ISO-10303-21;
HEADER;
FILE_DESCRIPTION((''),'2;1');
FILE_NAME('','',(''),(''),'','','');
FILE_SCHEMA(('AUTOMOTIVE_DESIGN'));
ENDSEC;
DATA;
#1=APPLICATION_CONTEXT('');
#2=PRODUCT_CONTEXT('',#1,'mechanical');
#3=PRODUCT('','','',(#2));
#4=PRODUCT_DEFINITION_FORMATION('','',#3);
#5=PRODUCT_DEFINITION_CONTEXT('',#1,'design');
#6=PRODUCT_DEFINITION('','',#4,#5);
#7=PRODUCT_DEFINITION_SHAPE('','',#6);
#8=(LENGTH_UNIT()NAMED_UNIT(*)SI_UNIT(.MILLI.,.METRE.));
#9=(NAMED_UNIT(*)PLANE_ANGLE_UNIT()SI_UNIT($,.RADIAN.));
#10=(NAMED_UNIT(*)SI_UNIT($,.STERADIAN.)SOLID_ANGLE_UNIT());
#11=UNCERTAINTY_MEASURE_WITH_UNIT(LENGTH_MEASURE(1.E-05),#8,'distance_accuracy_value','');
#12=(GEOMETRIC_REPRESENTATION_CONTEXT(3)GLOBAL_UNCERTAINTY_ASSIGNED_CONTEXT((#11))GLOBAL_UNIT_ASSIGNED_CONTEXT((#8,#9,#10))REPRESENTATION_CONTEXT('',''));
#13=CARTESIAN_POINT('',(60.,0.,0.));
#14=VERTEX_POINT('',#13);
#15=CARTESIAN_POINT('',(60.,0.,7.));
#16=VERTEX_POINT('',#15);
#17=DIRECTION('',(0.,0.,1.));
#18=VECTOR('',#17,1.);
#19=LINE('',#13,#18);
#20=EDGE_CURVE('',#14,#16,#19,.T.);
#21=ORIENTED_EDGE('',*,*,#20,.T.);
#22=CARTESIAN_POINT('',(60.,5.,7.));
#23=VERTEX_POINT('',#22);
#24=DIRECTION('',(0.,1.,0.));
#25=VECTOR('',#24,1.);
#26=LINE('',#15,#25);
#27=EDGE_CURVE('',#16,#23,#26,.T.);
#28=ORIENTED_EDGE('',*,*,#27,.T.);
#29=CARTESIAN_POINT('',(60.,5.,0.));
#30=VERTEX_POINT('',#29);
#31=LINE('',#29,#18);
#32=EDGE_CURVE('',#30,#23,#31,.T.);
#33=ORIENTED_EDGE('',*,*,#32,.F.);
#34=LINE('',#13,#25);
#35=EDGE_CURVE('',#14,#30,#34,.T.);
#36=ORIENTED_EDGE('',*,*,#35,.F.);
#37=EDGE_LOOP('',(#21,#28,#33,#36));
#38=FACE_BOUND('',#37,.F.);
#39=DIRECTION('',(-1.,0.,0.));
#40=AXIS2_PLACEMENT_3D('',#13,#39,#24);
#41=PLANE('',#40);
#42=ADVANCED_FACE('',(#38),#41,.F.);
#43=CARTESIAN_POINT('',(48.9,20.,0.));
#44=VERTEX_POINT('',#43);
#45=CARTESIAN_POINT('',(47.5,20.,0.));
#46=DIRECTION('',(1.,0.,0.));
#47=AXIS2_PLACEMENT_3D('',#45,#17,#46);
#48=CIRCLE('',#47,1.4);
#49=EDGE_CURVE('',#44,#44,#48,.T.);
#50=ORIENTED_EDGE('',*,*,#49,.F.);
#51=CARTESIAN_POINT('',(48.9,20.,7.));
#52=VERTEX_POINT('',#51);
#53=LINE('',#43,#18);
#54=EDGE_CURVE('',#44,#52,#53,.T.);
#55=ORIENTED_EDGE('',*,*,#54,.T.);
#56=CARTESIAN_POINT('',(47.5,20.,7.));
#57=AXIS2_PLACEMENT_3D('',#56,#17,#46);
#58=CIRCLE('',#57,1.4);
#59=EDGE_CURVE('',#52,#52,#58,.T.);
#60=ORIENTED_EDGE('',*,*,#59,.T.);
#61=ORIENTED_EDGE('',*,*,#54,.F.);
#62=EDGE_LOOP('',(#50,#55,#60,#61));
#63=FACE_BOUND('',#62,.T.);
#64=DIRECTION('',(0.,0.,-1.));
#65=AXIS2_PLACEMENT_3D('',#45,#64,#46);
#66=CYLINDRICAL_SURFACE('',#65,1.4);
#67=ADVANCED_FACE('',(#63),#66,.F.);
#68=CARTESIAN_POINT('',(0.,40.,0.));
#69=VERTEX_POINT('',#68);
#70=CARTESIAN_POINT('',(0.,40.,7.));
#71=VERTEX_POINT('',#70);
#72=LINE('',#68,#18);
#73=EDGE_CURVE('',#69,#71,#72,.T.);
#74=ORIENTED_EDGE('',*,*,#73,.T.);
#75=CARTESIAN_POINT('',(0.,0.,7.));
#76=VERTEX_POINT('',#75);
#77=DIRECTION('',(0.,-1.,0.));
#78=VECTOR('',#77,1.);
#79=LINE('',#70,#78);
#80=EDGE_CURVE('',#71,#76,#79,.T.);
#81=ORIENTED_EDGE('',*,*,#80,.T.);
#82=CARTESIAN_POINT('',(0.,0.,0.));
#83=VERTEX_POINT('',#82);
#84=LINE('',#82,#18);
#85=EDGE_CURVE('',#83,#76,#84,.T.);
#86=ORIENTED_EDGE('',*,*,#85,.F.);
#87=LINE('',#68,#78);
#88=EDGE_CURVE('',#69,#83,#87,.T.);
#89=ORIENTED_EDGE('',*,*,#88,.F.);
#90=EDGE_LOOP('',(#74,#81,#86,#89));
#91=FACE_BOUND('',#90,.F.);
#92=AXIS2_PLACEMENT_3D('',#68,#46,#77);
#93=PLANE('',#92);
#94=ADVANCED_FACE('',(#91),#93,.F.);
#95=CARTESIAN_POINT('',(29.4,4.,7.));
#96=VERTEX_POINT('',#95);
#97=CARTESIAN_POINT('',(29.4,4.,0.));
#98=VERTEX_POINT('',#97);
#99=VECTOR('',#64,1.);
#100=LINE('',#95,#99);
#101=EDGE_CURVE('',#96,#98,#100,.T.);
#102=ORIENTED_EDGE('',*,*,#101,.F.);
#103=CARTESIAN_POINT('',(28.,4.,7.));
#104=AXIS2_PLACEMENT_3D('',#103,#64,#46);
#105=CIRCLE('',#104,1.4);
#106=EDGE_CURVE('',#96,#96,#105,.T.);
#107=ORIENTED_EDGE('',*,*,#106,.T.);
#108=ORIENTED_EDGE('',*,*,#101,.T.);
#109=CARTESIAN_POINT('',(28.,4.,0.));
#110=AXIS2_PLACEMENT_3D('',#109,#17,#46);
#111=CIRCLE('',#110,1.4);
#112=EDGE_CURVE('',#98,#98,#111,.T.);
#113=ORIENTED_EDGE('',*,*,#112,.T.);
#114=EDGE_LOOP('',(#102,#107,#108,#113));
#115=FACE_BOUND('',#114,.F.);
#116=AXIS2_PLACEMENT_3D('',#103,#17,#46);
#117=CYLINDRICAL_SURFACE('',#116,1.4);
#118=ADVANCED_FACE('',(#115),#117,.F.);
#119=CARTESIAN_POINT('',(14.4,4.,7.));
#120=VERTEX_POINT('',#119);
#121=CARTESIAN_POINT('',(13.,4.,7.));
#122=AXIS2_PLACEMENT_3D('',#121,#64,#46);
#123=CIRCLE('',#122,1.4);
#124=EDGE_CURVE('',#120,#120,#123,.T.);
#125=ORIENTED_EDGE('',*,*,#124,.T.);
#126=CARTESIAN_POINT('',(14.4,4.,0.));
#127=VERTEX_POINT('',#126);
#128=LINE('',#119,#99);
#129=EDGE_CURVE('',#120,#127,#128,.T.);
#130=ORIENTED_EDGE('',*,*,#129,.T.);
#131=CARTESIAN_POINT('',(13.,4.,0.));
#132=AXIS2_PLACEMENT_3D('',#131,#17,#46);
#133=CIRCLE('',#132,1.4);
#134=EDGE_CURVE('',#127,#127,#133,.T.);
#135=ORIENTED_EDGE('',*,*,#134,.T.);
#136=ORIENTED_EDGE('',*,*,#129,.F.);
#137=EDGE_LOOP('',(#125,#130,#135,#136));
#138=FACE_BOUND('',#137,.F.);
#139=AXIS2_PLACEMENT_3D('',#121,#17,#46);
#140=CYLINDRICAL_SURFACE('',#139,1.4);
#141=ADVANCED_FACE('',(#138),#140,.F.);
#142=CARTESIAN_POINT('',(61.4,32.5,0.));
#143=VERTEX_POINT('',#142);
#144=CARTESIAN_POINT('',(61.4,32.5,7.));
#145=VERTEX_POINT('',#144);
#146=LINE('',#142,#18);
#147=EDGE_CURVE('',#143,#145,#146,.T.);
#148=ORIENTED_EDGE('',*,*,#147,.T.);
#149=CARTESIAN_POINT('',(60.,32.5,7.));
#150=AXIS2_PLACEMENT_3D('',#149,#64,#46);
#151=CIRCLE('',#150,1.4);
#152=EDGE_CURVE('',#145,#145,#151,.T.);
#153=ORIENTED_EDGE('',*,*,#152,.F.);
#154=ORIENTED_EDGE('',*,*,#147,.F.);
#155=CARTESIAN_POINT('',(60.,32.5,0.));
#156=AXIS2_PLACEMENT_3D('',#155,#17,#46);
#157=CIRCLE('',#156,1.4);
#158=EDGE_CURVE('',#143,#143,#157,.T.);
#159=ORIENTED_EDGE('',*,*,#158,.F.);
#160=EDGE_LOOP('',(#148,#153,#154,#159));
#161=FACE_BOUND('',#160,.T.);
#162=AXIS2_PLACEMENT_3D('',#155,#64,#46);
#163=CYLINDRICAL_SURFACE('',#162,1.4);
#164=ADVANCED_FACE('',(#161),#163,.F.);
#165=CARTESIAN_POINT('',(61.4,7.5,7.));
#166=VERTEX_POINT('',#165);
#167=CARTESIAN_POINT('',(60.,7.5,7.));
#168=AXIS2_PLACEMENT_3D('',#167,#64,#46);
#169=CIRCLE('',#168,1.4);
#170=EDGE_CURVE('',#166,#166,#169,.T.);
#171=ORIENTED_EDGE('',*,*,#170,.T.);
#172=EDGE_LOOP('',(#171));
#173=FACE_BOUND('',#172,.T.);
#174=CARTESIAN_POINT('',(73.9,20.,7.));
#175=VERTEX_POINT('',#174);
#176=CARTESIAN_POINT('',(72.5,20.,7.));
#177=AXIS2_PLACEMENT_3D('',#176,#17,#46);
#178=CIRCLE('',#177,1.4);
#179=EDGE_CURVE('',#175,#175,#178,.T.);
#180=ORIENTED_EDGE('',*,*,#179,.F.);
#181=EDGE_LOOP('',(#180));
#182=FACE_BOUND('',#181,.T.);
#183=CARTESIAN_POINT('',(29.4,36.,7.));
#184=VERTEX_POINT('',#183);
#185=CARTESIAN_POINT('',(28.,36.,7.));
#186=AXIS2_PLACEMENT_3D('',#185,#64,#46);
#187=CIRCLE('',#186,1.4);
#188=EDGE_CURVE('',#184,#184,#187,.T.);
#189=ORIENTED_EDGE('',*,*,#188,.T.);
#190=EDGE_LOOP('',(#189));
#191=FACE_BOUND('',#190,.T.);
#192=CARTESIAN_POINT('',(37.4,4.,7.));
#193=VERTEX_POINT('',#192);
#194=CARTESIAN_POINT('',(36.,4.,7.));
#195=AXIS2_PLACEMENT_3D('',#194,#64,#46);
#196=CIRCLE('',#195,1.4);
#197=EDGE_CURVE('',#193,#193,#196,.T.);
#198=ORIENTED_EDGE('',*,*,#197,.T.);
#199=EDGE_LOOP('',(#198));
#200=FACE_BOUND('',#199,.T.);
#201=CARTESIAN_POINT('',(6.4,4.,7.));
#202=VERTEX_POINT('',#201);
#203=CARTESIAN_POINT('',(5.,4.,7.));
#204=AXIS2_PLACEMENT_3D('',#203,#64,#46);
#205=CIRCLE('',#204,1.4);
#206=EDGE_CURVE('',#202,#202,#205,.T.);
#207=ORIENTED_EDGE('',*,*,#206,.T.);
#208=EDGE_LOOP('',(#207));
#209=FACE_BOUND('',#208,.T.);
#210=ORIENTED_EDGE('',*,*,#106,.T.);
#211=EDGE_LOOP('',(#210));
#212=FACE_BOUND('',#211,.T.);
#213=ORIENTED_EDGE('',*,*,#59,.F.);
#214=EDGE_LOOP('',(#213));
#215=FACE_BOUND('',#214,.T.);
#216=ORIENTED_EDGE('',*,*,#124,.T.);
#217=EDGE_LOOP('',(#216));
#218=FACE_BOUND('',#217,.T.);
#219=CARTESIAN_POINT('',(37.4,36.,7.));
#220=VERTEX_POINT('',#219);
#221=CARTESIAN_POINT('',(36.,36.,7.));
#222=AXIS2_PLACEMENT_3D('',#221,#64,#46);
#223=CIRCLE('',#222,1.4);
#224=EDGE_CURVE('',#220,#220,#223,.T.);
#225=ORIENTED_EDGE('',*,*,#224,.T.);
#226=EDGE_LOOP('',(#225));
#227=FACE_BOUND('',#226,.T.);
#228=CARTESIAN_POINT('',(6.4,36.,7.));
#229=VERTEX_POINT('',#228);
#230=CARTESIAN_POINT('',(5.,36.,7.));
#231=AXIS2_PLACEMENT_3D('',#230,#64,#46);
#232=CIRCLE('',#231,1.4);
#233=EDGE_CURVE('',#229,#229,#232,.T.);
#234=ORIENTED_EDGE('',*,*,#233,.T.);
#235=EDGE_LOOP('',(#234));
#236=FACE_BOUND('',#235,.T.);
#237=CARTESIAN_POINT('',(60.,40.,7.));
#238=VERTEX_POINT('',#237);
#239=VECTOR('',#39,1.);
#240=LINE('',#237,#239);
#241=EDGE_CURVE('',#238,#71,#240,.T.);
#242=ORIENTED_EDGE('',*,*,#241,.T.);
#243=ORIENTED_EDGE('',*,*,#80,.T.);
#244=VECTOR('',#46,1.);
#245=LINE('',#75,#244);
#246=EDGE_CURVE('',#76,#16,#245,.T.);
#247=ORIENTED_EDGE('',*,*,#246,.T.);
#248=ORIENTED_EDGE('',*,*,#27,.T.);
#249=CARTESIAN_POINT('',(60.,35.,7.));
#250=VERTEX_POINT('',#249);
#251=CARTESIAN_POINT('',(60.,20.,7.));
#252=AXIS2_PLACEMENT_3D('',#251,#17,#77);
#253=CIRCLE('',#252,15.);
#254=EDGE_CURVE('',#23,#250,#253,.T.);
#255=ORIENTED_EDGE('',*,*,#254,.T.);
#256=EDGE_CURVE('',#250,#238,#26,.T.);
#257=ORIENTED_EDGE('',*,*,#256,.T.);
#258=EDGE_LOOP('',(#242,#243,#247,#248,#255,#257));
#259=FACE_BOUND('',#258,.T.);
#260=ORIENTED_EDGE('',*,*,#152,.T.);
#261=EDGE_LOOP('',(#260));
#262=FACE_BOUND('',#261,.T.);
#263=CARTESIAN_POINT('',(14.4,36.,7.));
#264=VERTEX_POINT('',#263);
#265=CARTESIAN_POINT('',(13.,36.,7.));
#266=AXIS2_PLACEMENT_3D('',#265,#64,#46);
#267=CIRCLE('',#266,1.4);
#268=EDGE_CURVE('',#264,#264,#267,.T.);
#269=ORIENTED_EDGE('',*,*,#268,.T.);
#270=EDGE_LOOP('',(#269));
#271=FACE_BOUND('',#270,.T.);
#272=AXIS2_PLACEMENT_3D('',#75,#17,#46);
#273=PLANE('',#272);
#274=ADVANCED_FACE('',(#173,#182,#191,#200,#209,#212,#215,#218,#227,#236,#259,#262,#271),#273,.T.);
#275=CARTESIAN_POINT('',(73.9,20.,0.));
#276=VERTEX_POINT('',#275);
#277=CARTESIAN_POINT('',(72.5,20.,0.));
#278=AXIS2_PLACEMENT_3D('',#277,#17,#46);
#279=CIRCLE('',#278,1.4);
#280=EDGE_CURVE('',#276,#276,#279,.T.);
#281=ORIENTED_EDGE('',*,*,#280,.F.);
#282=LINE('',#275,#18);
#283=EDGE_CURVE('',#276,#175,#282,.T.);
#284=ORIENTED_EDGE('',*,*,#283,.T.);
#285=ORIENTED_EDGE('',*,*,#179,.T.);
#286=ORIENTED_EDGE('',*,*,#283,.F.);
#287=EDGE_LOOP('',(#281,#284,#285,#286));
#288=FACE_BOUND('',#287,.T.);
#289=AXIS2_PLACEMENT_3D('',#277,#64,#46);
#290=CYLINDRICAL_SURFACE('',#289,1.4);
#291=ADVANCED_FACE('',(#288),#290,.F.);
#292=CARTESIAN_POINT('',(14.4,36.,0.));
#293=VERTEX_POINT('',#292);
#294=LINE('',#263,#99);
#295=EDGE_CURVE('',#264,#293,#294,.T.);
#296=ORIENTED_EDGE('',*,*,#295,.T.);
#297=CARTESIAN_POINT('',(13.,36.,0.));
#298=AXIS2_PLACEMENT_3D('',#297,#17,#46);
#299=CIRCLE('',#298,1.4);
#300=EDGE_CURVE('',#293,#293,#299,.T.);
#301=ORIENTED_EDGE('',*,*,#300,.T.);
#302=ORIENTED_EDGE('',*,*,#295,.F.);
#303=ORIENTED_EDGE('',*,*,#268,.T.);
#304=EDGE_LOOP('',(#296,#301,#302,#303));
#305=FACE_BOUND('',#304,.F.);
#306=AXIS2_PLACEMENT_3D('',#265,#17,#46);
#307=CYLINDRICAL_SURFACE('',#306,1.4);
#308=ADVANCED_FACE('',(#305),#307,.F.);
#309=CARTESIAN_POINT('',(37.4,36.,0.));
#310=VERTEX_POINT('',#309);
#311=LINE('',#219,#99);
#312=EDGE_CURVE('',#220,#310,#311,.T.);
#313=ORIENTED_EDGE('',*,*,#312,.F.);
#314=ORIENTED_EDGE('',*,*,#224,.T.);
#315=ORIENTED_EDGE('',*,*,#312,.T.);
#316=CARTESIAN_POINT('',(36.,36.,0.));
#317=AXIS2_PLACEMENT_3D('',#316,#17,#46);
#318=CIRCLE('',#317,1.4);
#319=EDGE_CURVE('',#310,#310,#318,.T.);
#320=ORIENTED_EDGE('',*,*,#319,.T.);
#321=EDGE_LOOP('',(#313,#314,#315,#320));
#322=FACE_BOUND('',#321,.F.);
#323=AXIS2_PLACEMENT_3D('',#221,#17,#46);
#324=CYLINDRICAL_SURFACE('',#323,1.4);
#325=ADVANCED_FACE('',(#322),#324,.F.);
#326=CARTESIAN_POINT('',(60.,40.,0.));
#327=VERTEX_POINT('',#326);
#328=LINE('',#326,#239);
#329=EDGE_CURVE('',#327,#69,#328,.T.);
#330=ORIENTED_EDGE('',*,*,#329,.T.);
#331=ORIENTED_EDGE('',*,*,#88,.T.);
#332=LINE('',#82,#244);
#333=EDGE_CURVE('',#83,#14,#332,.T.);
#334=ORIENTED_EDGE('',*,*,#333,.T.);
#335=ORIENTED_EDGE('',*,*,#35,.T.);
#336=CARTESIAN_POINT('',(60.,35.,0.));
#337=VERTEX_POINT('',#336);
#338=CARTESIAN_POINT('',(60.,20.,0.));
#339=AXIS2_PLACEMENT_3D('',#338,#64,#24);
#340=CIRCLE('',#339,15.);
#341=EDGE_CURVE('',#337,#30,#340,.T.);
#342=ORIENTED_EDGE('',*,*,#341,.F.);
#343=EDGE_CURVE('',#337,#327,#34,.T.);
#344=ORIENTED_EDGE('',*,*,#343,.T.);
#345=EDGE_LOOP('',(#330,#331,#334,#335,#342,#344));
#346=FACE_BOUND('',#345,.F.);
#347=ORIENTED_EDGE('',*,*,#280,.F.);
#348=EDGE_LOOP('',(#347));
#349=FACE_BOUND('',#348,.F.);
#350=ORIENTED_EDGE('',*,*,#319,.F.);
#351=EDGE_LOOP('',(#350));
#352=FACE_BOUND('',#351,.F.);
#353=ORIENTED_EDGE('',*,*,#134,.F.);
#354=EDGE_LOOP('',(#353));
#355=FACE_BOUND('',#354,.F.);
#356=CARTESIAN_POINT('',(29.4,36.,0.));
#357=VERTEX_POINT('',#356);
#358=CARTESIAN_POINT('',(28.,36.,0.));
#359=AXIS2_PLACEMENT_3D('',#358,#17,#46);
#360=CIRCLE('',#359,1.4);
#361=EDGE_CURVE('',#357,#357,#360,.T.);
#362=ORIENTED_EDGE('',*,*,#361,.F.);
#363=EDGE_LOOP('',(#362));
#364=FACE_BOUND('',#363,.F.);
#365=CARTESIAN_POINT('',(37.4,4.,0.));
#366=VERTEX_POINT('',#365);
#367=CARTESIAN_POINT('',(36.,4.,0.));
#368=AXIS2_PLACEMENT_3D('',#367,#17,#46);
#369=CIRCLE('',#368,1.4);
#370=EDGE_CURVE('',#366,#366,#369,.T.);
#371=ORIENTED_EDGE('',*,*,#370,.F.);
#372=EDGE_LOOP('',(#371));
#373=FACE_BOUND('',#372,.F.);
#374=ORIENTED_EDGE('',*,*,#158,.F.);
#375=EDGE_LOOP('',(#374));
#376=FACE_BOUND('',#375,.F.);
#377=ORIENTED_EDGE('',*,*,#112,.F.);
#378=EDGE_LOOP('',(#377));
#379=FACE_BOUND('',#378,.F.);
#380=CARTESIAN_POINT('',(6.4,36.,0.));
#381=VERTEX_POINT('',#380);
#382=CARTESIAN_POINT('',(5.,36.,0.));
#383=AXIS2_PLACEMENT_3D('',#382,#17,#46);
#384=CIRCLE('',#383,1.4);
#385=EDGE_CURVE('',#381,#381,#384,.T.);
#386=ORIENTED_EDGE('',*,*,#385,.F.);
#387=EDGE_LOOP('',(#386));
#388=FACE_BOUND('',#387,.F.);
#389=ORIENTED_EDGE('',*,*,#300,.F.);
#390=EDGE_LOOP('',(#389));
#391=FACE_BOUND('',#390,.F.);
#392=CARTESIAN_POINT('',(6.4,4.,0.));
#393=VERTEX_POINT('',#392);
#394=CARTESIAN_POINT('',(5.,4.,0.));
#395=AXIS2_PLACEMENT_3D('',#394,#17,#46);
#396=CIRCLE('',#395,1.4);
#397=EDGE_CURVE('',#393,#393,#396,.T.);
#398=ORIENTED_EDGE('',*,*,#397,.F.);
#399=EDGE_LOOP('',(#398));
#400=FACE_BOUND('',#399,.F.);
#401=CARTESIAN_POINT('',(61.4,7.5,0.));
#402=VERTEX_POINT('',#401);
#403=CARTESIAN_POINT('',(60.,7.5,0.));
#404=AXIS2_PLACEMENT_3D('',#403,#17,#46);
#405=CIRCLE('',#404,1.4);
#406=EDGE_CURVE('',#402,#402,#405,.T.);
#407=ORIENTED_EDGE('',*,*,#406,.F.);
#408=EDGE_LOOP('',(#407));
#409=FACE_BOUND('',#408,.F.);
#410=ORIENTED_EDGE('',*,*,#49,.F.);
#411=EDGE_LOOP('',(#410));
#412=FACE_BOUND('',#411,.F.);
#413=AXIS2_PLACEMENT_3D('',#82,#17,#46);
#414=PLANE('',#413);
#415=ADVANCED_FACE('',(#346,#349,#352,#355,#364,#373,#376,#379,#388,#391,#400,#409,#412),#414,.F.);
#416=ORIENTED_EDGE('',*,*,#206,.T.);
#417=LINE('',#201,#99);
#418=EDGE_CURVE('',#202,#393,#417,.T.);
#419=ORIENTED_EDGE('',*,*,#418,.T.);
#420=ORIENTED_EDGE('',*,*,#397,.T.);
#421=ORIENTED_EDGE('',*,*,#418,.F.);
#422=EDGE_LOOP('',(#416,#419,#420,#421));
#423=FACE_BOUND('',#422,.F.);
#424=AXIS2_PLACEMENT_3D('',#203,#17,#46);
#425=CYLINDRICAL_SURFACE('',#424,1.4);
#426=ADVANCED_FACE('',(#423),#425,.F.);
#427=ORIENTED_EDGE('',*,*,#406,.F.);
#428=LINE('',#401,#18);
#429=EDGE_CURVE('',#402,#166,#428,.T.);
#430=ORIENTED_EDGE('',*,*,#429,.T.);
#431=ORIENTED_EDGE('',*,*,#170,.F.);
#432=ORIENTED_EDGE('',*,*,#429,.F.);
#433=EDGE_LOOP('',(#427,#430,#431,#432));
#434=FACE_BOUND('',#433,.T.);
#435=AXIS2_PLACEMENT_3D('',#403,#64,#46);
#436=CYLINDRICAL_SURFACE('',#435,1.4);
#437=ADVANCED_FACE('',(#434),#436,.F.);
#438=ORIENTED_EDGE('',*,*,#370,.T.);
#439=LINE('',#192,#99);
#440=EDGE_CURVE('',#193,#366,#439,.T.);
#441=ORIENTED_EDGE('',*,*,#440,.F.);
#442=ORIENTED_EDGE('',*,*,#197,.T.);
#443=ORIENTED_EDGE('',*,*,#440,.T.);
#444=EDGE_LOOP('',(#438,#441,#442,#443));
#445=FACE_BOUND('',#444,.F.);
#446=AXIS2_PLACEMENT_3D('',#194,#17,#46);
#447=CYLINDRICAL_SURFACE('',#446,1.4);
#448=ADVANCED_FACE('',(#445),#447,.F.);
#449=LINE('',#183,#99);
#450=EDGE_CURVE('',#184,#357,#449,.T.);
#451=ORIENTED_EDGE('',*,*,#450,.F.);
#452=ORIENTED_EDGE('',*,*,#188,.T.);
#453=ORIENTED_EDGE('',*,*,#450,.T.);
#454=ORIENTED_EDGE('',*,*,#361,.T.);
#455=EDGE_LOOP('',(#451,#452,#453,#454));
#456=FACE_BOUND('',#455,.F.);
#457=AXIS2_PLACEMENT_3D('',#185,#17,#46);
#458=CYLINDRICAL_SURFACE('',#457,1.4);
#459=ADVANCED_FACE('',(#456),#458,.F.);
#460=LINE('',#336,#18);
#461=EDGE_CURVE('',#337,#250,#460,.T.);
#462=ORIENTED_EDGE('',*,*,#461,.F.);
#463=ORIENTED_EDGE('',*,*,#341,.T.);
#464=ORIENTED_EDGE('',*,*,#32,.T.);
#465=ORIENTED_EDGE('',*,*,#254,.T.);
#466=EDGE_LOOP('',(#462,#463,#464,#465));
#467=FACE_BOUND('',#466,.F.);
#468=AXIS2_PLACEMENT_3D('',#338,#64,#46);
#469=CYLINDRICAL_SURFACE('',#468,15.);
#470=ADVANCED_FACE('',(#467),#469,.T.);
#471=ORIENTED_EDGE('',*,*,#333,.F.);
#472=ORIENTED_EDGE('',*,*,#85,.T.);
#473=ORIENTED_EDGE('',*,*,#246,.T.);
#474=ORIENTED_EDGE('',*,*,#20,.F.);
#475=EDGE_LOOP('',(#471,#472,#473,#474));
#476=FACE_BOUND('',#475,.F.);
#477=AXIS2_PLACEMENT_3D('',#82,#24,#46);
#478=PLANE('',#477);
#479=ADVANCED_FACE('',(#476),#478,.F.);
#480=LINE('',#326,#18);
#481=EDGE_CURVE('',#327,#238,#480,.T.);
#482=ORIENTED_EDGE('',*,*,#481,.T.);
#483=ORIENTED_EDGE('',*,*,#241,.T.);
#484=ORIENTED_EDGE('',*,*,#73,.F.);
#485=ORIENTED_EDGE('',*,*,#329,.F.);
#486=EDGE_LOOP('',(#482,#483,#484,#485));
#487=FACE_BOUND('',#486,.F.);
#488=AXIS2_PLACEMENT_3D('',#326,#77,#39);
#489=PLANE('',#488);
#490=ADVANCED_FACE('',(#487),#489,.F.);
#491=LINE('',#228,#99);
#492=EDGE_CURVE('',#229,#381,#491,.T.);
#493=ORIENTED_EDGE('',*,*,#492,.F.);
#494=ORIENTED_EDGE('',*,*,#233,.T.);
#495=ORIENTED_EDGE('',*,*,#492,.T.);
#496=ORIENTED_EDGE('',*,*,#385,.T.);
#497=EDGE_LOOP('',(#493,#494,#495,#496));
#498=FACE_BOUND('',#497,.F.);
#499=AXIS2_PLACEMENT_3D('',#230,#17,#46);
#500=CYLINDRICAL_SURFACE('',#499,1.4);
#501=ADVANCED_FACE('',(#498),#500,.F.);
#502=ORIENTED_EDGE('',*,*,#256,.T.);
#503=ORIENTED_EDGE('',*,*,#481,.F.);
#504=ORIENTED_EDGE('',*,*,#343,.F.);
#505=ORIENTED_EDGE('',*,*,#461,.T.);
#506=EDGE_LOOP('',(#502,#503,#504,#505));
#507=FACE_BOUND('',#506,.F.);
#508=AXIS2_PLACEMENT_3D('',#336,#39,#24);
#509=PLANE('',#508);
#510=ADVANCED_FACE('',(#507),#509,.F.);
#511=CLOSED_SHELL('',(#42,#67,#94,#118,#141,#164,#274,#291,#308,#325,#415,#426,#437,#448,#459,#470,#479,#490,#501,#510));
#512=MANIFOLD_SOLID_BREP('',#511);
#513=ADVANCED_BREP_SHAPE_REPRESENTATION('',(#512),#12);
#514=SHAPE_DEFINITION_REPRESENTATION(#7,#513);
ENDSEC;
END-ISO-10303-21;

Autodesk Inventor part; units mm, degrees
ref_plane "YZ Plane" through (0, 0, 0) normal (1, 0, 0) x (0, 1, 0)
ref_plane "XZ Plane" through (0, 0, 0) normal (0, 1, 0) x (-1, 0, 0)
ref_plane "XY Plane" through (0, 0, 0) normal (0, 0, 1) x (1, 0, 0)
sketch "Sketch1" plane through (0, 0, 0) normal (0, 0, 1) x (1, 0, 0)
  line L0 (0, 0) -> (60, 0)
  line L1 (60, 0) -> (60, 40)
  line L2 (60, 40) -> (0, 40)
  line L3 (0, 40) -> (0, 0)
  circle A0 centre (60, 20) radius 15
  circle A1 centre (47.5, 20) radius 1.4
  circle A2 centre (60, 7.5) radius 1.4
  circle A3 centre (72.5, 20) radius 1.4
  circle A4 centre (60, 32.5) radius 1.4
  point P0 (60, 5)
  point P1 (60, 35)
  dimension "d0" = 60
  dimension "d1" = 40
  dimension "d2" = 30
  dimension "d3" = 2.8
  dimension "d4" = 12.5
  dimension "d7" = 360
extrude "Extrusion1" add sketch "Sketch1" along normal blind 7 contours L3 L2 L1 A0 L0 | A0 L1 A4 A2 | L1 A2 A4 A0
sketch "Sketch2" plane through (0, 0, 7) normal (0, 0, 1) x (1, 0, 0)
  line L0 (13, 36) -> (36, 36)
  line L1 (36, 36) -> (36, 4)
  line L2 (36, 4) -> (13, 4)
  line L3 (13, 4) -> (13, 36)
  line L4 (0, 40) -> (0, 0) projected
  circle A0 centre (13, 36) radius 1.4
  line L5 (0, 20) -> (36, 20)
  circle A1 centre (13, 4) radius 1.4
  line L6 (24.5, 36) -> (24.5, 4)
  circle A2 centre (36, 36) radius 1.4
  circle A3 centre (36, 4) radius 1.4
  dimension "d11" = 23
  dimension "d12" = 32
  dimension "d13" = 2.8
  dimension "d22" = 13
extrude "Extrusion2" cut sketch "Sketch2" against normal through all contours L3 A0 L0 | L0 A0 L3 | A2 L1 L0 | L0 L1 A2 | A1 L2 L3 | L3 L2 A1 | A3 L2 L1 | L1 L2 A3
sketch "Sketch3" plane through (0, 0, 7) normal (0, 0, 1) x (1, 0, 0)
  line L0 (5, 36) -> (28, 36)
  line L1 (28, 36) -> (28, 4)
  line L2 (28, 4) -> (5, 4)
  line L3 (5, 4) -> (5, 36)
  line L4 (0, 40) -> (0, 0) projected
  circle A0 centre (36, 36) radius 1.4 projected
  circle A1 centre (5, 36) radius 1.4
  line L5 (0, 20) -> (28, 20)
  circle A2 centre (5, 4) radius 1.4
  line L6 (16.5, 36) -> (16.5, 4)
  circle A3 centre (28, 36) radius 1.4
  circle A4 centre (28, 4) radius 1.4
  point P0 (5, 20)
  dimension "d16" = 23
  dimension "d17" = 32
  dimension "d18" = 8
  dimension "d19" = 2.8
extrude "Extrusion3" cut sketch "Sketch3" against normal through all contours L3 A1 L0 | L0 A1 L3 | A3 L1 L0 | L0 L1 A3 | A2 L2 L3 | L3 L2 A2 | A4 L2 L1 | L1 L2 A4
properties part number "üst döner tablo1"
